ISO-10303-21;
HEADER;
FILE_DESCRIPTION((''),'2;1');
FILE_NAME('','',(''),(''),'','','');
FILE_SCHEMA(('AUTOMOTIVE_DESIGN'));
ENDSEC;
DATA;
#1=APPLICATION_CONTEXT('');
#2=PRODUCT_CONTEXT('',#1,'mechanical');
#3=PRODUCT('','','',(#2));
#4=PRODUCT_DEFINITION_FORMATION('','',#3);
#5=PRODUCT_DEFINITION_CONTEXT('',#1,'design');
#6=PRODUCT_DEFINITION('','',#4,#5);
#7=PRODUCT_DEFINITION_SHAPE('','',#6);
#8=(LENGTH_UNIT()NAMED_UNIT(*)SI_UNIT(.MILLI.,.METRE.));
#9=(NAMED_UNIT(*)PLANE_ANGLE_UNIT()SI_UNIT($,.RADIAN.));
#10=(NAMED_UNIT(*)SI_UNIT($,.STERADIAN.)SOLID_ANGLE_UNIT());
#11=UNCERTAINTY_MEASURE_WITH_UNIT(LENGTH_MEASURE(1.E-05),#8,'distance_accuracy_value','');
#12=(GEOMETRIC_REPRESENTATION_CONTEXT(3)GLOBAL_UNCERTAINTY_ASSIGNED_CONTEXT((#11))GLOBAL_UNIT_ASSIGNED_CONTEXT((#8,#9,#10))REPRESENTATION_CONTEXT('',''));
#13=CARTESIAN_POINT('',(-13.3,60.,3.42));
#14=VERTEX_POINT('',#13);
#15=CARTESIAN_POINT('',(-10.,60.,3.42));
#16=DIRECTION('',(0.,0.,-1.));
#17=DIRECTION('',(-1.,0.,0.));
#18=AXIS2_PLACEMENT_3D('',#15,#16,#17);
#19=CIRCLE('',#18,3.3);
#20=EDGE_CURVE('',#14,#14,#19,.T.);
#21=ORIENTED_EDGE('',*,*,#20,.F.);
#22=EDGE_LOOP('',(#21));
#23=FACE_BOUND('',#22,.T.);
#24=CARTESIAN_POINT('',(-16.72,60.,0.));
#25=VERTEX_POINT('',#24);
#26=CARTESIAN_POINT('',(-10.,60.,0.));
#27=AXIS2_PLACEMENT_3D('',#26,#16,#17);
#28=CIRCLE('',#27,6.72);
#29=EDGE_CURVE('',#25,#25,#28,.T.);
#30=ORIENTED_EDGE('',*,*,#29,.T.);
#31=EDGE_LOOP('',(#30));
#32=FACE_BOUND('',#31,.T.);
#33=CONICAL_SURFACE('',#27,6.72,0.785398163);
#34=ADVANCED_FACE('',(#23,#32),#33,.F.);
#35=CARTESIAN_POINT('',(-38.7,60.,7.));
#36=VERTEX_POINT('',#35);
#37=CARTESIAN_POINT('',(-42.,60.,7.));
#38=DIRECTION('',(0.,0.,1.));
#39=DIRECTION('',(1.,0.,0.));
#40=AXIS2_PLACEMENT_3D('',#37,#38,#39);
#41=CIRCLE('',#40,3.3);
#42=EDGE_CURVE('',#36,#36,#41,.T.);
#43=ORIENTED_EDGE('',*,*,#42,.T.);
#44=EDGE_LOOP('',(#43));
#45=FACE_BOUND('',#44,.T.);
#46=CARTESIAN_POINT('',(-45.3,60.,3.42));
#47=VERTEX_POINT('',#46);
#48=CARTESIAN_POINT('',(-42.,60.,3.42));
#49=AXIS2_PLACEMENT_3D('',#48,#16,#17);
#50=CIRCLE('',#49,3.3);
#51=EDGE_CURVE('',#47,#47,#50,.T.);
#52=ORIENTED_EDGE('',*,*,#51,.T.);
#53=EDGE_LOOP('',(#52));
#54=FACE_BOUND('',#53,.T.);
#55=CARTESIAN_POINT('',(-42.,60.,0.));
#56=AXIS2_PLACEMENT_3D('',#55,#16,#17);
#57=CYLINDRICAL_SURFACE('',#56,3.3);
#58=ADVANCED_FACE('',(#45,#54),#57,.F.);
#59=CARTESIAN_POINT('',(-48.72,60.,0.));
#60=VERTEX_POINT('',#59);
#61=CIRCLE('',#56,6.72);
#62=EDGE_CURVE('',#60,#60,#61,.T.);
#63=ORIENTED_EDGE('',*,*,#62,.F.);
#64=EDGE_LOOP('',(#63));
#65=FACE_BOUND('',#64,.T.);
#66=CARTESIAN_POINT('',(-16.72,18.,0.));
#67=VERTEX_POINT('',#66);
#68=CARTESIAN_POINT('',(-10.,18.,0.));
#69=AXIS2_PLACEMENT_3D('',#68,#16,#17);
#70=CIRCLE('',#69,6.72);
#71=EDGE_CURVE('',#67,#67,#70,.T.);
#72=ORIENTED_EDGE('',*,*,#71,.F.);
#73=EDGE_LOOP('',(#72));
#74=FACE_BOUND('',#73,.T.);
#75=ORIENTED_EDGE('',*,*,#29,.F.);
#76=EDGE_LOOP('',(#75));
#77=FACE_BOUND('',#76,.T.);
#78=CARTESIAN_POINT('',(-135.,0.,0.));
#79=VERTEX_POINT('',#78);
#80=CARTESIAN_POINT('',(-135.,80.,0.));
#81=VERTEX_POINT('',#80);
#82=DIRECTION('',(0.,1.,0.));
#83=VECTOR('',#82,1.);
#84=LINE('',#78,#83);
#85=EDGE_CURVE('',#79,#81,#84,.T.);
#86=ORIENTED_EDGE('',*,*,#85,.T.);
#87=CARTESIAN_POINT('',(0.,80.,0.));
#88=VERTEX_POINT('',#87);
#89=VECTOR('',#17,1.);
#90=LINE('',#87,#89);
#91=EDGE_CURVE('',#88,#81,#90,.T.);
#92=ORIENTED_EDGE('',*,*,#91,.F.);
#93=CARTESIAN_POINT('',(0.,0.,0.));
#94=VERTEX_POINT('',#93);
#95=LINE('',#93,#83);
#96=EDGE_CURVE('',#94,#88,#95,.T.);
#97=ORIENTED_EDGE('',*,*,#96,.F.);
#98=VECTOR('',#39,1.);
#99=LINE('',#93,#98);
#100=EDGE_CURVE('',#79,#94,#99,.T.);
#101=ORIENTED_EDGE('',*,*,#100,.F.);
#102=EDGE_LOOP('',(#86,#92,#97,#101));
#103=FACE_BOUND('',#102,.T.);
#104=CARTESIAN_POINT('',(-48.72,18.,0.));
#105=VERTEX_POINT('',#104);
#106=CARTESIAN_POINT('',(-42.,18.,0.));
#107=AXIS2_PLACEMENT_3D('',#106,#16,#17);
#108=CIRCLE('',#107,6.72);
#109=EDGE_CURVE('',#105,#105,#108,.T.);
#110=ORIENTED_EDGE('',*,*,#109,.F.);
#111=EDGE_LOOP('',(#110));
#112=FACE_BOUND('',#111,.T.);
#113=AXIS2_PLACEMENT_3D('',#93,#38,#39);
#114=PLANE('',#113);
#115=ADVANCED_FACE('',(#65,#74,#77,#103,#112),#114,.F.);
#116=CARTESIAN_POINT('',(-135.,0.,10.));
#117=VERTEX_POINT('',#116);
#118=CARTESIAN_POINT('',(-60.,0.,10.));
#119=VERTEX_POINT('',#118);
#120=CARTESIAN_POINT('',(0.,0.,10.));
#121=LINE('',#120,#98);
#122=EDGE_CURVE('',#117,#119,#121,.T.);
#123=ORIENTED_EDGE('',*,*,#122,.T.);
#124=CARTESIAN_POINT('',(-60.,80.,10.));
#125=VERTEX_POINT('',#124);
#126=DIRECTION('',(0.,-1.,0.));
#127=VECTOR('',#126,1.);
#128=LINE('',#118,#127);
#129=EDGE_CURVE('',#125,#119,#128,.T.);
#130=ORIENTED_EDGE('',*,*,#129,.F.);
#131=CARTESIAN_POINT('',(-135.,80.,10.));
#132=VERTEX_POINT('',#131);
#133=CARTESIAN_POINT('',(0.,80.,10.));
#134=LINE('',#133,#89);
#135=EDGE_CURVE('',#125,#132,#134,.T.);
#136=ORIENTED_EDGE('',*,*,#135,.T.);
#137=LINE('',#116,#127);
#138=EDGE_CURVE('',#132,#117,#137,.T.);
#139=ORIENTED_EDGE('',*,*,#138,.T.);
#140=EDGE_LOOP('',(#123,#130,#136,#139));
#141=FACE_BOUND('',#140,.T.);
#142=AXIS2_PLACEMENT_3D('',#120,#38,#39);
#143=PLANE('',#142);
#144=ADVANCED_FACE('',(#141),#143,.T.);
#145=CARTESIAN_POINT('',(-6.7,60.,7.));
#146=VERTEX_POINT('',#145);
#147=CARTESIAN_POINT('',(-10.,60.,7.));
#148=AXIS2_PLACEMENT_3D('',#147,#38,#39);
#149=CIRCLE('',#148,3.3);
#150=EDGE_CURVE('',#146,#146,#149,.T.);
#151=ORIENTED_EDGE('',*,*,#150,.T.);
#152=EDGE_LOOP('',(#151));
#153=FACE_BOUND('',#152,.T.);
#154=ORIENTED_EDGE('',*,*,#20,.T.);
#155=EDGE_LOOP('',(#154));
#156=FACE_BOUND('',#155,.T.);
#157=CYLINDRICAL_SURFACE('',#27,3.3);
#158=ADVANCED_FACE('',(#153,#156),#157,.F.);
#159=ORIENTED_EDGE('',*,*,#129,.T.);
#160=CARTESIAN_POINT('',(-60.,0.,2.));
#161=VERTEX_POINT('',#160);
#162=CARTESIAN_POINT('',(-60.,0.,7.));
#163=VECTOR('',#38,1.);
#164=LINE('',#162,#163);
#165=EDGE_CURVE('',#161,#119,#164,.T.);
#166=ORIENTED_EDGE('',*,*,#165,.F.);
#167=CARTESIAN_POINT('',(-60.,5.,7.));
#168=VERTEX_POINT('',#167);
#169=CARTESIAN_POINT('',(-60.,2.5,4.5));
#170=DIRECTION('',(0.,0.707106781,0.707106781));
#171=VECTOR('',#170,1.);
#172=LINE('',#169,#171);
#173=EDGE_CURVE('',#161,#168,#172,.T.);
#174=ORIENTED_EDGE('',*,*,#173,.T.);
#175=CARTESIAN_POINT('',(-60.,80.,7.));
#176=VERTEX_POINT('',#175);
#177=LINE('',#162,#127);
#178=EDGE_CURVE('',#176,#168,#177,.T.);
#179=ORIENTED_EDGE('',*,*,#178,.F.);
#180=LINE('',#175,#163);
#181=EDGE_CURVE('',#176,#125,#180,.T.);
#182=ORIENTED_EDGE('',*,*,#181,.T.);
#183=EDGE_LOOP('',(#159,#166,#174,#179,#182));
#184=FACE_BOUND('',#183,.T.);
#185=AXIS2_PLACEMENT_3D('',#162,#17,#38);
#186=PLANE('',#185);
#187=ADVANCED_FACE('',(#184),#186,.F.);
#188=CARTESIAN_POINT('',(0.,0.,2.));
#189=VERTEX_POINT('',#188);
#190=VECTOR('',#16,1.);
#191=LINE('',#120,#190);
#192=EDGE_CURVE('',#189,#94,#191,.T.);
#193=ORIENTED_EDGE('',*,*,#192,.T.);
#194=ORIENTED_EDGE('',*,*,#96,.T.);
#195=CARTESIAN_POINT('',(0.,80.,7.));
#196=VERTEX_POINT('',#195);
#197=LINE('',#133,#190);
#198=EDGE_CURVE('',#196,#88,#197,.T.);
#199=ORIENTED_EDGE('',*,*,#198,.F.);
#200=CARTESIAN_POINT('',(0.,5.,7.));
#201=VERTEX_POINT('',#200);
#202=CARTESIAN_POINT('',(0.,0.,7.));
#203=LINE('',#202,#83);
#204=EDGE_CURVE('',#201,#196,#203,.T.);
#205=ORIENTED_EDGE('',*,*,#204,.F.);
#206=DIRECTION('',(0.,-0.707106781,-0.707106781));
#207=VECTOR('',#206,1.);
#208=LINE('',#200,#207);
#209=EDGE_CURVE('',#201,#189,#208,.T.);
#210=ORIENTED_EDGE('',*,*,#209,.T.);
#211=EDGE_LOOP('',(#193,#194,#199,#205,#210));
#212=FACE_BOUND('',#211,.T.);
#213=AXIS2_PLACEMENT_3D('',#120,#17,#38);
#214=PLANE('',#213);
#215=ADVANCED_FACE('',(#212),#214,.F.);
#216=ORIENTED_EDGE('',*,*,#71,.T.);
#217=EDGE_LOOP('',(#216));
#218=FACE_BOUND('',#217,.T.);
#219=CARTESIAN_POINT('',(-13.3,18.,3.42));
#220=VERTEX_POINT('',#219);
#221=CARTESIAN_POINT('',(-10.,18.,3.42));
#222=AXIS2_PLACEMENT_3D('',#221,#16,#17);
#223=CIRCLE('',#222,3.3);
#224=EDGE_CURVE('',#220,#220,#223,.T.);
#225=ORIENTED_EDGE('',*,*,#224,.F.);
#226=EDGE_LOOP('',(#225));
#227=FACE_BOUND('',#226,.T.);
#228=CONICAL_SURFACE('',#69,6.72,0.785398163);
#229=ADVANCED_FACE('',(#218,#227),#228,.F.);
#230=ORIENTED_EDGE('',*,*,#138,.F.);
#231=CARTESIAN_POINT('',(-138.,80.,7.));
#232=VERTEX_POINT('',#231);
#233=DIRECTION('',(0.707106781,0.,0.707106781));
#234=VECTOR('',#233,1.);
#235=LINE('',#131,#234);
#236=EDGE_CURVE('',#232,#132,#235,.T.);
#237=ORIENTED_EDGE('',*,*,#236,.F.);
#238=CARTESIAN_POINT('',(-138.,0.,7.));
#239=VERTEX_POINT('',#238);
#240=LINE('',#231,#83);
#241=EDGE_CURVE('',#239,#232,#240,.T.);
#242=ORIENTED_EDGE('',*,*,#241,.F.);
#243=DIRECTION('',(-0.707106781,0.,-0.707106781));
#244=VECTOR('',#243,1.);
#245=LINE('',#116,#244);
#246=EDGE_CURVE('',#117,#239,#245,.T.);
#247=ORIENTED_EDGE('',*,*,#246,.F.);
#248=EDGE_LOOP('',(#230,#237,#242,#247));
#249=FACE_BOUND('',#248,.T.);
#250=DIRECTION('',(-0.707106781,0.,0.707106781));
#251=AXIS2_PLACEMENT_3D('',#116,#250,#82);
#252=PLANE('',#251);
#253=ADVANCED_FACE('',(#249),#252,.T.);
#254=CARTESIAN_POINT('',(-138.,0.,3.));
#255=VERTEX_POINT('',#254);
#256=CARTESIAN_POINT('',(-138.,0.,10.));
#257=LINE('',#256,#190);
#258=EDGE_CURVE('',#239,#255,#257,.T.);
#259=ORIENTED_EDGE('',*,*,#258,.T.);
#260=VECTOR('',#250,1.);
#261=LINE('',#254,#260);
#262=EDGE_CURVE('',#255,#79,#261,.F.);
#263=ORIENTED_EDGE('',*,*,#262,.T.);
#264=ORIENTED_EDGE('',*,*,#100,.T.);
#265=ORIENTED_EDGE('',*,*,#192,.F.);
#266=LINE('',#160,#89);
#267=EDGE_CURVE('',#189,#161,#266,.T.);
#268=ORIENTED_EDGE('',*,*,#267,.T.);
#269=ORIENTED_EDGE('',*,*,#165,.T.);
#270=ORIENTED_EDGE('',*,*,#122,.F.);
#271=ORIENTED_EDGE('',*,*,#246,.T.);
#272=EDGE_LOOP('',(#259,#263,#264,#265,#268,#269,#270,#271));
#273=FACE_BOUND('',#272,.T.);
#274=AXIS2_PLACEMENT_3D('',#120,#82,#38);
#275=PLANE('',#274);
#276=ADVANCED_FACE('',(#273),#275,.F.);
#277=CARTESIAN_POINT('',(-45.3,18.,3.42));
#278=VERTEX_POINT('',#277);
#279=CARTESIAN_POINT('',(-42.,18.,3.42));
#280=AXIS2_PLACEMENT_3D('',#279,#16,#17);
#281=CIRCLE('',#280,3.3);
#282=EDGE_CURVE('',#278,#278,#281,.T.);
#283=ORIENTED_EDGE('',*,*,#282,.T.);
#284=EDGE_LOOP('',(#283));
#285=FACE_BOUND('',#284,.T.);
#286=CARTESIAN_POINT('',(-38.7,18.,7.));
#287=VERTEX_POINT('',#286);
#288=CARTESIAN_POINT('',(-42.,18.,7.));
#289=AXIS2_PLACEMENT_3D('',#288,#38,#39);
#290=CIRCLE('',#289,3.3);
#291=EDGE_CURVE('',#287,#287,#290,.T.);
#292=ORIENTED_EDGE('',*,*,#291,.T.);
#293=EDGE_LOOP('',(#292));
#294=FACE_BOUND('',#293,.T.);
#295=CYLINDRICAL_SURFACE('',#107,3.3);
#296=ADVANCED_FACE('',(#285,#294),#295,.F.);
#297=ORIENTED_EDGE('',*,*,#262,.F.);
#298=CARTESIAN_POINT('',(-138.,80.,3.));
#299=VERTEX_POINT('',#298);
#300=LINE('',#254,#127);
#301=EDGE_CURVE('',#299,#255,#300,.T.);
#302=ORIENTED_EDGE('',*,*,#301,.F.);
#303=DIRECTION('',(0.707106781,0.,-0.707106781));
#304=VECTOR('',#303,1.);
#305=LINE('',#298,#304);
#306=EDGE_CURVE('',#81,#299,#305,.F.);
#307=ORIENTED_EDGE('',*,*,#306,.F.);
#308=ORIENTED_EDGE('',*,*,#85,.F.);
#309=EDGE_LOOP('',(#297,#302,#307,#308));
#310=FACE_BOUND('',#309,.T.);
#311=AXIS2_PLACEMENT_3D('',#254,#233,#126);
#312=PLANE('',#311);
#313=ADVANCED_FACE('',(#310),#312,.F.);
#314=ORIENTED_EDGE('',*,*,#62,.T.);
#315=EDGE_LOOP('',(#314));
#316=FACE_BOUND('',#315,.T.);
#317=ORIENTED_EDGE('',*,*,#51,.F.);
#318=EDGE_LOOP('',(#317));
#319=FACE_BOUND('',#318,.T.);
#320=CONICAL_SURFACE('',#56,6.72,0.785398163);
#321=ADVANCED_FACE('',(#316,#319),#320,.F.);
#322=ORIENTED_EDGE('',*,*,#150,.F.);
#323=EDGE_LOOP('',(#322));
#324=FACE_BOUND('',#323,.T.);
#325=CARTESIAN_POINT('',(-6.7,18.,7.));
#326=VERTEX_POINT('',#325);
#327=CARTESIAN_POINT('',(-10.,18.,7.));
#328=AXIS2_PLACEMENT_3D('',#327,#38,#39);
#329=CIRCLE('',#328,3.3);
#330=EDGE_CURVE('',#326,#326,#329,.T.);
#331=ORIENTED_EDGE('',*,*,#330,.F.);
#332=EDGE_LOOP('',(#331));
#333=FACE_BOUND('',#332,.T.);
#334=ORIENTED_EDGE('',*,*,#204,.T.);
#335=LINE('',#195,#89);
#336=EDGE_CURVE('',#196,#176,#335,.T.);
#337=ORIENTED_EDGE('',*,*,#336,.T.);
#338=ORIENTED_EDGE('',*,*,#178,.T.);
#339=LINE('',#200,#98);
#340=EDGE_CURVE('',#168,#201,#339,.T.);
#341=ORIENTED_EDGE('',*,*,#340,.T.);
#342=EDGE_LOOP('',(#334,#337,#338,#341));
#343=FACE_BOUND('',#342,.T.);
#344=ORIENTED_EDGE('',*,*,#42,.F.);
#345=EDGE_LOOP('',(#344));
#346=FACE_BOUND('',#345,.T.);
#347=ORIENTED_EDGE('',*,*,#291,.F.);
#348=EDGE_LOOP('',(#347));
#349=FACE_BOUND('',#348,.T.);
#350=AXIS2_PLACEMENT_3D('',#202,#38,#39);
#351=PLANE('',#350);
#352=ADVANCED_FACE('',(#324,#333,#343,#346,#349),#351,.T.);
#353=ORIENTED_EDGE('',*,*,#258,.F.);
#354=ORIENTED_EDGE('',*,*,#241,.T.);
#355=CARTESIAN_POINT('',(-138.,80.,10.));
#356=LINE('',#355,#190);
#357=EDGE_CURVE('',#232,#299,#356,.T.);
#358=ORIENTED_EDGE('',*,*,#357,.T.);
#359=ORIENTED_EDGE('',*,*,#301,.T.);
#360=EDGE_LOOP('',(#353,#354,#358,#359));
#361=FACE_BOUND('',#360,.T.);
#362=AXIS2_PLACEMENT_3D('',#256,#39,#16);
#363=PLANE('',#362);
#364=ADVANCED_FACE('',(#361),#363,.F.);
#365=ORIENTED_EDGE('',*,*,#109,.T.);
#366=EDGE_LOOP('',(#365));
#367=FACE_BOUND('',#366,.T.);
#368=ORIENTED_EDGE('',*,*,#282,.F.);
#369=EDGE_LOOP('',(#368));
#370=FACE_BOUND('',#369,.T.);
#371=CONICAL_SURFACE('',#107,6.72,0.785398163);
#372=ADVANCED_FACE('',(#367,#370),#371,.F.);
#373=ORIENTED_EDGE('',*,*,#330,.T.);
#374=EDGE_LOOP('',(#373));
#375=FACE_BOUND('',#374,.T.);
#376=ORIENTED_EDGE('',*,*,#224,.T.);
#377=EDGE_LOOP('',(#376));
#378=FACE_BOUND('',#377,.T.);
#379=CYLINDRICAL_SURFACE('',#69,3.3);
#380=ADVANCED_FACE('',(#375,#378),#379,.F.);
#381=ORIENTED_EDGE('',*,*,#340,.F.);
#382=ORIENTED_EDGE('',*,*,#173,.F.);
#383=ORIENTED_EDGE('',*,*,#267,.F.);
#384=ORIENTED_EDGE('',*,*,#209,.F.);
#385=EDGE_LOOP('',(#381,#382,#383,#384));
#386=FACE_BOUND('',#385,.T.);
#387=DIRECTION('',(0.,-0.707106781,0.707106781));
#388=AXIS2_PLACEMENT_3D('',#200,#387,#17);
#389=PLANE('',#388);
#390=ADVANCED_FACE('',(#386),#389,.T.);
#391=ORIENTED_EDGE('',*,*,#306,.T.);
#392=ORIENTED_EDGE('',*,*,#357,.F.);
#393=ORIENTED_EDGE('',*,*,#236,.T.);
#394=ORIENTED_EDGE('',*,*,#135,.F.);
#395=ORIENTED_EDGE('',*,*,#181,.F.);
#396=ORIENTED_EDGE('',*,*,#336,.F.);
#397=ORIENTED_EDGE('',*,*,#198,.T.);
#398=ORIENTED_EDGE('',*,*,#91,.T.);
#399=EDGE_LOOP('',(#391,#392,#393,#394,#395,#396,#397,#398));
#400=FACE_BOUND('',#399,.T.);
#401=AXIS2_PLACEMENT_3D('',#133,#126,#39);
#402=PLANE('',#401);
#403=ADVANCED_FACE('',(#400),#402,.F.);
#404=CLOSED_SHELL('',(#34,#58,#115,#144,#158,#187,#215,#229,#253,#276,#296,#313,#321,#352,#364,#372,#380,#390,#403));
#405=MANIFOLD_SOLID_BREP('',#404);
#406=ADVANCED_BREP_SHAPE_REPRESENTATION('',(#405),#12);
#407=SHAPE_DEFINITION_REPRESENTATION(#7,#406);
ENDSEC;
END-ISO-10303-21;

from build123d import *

# Parameters (mm, degrees)
ESBO_O1_W                                           = 138
ESBO_O1_H                                           = 80
RESSALTO_EXTRUS_O1_DEPTH                            = 10
ESBO_O2_W                                           = 60
ESBO_O2_H                                           = 80
CORTE_EXTRUS_O1_DEPTH                               = 3
ESCAREADO_PARA_PARAFUSO_ALLEN_SEXTAVADO_D           = 6.6
ESCAREADO_PARA_PARAFUSO_ALLEN_SEXTAVADO_CSINK_D     = 13.44
ESCAREADO_PARA_PARAFUSO_ALLEN_SEXTAVADO_CSINK_ANGLE = 90
CHANFRO1_SIZE                                       = 5
CHANFRO2_SIZE                                       = 3


with BuildPart() as part:
    # Esboço1 → Ressalto-extrusão1 (new body)
    with BuildSketch(Plane.XY):
        with Locations((-69, 40)):
            Rectangle(ESBO_O1_W, ESBO_O1_H)
    extrude(amount=RESSALTO_EXTRUS_O1_DEPTH)

    # Esboço2 → Corte-extrusão1 (cut)
    with BuildSketch(Plane.XY.offset(10)):
        with Locations((-30, 40)):
            Rectangle(ESBO_O2_W, ESBO_O2_H)
    extrude(amount=-CORTE_EXTRUS_O1_DEPTH, mode=Mode.SUBTRACT)

    # Escareado para parafuso Allen sextavado escareado de M62 (through all)
    with Locations(Plane(origin=(0, 0, 0), x_dir=(-1, 0, 0), z_dir=(0, 0, -1))):
        with Locations((10, 60), (42, 60), (42, 18), (10, 18)):
            CounterSinkHole(ESCAREADO_PARA_PARAFUSO_ALLEN_SEXTAVADO_D / 2, ESCAREADO_PARA_PARAFUSO_ALLEN_SEXTAVADO_CSINK_D / 2, counter_sink_angle=ESCAREADO_PARA_PARAFUSO_ALLEN_SEXTAVADO_CSINK_ANGLE)

    # Chanfro1
    chanfro1_edges = [part.edges().sort_by_distance(p)[0] for p in [
        (-30, 0, 7),
    ]]
    chamfer(chanfro1_edges, length=CHANFRO1_SIZE)

    # Chanfro2
    chanfro2_edges = [part.edges().sort_by_distance(p)[0] for p in [
        (-138, 40, 10),
        (-138, 40, 0),
    ]]
    chamfer(chanfro2_edges, length=CHANFRO2_SIZE)


solid = part.part
